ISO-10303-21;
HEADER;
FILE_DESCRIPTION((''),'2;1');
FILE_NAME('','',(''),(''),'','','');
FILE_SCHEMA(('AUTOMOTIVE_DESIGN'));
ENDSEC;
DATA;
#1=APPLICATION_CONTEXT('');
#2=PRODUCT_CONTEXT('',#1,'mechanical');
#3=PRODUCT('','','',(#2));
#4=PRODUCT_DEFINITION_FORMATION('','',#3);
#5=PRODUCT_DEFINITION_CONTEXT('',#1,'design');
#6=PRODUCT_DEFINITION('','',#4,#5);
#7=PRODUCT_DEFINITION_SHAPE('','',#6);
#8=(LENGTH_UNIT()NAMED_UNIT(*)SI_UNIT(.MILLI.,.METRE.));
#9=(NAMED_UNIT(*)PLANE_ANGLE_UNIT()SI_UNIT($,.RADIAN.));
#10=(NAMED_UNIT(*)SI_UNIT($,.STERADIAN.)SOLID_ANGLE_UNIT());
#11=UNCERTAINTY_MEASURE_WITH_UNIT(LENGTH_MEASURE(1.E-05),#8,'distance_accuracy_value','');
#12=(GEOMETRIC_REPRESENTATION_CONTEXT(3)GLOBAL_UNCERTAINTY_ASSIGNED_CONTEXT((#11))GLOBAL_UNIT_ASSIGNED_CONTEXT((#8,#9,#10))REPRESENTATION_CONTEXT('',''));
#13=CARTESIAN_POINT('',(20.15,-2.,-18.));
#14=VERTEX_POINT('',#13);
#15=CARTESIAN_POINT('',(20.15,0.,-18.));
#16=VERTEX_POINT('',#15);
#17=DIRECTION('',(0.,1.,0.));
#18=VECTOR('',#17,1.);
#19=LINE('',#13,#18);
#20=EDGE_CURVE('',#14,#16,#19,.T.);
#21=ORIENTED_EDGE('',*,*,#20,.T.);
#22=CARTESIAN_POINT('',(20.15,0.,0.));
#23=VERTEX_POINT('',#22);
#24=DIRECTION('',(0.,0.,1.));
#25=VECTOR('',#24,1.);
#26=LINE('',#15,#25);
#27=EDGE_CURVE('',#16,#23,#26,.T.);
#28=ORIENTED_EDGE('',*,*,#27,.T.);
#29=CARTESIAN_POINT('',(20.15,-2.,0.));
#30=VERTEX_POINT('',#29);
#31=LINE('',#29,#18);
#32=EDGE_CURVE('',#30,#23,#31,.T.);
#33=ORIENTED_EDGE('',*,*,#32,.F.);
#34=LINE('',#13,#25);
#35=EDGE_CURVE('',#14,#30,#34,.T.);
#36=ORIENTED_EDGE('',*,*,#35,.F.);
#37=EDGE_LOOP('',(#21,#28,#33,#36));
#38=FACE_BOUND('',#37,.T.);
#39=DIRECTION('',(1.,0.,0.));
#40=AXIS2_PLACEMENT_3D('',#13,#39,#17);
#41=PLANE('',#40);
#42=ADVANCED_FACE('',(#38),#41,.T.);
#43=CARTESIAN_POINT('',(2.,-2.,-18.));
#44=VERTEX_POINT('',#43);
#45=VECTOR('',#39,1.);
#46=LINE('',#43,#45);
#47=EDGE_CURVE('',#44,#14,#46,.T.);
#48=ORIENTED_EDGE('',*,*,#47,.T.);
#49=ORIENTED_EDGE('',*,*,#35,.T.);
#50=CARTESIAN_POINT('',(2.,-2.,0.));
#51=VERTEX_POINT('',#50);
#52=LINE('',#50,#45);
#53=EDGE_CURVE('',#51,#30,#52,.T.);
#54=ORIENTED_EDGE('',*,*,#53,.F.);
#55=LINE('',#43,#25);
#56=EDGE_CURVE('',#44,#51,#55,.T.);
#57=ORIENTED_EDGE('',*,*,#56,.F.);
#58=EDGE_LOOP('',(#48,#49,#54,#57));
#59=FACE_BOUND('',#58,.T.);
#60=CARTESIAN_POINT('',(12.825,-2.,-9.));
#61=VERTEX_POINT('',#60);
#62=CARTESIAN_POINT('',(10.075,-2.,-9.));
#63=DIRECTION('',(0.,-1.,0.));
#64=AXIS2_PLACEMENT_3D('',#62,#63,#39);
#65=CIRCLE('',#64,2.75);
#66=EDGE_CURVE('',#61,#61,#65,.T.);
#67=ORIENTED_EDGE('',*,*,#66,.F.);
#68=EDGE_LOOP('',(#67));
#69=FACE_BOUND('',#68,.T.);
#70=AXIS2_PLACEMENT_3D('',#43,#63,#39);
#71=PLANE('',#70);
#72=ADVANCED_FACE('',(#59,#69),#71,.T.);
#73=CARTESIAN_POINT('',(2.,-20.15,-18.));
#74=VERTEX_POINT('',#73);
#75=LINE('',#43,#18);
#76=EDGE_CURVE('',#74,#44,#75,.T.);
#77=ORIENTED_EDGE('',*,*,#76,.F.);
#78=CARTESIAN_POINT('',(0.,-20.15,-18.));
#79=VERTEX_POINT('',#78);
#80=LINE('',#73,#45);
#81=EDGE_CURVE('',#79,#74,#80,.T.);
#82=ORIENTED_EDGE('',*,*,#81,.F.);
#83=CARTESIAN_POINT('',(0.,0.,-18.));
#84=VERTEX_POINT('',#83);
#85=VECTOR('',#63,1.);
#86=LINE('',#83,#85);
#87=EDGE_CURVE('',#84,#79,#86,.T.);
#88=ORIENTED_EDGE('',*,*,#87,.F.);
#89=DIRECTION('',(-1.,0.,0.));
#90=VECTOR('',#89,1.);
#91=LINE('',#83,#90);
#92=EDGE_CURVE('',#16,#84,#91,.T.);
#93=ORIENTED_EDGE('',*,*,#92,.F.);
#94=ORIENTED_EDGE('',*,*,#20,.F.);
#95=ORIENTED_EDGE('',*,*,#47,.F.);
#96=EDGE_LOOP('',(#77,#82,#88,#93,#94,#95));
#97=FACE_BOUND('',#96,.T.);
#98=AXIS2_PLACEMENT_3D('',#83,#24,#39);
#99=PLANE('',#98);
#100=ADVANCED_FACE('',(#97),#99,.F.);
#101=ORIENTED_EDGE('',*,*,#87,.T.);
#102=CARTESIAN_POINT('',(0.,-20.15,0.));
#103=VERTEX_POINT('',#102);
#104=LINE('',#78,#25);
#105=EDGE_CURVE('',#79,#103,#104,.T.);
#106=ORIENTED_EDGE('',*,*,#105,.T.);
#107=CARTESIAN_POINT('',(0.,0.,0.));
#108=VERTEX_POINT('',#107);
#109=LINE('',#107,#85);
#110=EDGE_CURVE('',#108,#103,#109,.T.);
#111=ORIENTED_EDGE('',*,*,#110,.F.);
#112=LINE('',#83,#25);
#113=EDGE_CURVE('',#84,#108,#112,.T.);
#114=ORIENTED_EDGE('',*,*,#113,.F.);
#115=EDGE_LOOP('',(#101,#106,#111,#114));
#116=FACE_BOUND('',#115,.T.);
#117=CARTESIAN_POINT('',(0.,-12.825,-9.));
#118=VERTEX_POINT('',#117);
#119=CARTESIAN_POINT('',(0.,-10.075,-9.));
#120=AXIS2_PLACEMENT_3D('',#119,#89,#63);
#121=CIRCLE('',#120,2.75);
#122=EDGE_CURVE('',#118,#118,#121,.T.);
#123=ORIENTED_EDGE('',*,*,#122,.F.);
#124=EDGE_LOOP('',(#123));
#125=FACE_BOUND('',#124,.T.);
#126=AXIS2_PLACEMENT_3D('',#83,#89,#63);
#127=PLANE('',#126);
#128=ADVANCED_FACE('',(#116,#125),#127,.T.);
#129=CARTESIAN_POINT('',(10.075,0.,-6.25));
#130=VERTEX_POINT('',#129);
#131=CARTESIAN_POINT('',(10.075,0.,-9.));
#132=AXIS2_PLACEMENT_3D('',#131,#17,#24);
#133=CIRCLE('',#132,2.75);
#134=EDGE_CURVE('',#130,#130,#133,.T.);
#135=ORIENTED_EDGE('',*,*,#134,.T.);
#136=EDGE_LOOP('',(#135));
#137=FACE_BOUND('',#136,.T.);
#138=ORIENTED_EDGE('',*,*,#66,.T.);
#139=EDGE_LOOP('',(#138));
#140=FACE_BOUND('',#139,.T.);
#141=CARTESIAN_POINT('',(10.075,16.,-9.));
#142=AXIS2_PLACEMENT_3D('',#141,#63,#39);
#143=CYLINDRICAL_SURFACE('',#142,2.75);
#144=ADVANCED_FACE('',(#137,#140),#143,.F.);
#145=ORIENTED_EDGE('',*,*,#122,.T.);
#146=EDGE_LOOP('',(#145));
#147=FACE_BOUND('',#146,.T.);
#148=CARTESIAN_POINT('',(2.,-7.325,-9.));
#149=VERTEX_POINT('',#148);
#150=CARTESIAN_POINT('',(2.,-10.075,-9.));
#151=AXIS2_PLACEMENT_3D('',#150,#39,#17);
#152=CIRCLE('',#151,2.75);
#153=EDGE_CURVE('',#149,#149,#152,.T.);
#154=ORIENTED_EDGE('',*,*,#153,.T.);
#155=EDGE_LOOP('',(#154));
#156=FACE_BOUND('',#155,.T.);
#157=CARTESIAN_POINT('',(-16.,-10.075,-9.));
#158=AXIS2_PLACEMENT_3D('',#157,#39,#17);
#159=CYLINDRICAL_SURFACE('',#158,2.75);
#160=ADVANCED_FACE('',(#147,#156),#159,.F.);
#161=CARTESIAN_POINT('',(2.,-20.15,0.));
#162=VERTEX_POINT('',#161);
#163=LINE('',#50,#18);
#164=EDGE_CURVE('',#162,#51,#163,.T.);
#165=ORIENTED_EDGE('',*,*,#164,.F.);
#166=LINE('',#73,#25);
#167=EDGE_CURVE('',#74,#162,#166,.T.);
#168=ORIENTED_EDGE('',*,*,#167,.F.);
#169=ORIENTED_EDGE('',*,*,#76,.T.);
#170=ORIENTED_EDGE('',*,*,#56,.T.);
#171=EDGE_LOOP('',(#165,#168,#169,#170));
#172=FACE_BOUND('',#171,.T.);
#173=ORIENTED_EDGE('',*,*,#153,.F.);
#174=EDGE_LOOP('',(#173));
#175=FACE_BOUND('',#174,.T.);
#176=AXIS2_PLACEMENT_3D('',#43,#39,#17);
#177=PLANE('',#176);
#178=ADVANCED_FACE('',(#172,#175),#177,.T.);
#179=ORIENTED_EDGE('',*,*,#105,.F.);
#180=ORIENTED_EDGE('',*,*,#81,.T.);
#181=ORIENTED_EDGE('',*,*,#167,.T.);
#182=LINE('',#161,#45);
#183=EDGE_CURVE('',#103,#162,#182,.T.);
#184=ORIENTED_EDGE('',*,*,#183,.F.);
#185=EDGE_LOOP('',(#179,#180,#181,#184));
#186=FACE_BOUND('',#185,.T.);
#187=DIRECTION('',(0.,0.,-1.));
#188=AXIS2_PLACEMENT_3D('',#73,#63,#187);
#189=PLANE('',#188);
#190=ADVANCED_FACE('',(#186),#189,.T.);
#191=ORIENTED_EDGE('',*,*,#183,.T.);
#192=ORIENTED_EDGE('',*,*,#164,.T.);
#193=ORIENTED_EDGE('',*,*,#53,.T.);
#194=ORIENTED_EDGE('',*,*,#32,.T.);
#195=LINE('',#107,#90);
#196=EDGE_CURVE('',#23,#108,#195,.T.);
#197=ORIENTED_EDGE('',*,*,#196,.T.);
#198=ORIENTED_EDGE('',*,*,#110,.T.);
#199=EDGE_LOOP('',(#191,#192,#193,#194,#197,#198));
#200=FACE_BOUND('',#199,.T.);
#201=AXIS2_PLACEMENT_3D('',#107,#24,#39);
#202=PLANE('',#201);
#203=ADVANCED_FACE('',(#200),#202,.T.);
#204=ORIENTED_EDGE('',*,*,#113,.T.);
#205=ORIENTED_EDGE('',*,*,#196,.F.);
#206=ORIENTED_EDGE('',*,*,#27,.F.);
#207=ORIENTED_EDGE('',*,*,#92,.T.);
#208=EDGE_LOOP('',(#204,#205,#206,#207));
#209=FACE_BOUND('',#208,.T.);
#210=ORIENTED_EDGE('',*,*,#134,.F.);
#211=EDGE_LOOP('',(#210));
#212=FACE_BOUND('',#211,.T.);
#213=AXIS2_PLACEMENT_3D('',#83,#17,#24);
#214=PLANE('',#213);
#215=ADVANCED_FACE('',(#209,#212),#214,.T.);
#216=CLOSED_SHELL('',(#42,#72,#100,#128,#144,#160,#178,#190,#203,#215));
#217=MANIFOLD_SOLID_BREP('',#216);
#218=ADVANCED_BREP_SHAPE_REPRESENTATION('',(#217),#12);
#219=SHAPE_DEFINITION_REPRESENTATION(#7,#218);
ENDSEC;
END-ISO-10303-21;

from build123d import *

# Parameters (mm, degrees)
BOSS_EXTRUDE1_DEPTH = 18
SKETCH2_R           = 2.75
CUT_EXTRUDE1_DEPTH  = 18
SKETCH3_R           = 2.75
CUT_EXTRUDE2_DEPTH  = 18


with BuildPart() as part:
    # Sketch1 → Boss-Extrude1 (new body)
    with BuildSketch(Plane.XY):
        Polygon((0, 0), (0, -20.15), (2, -20.15), (2, -2), (20.15, -2), (20.15, 0), align=None)
    extrude(amount=-BOSS_EXTRUDE1_DEPTH)

    # Sketch2 → Cut-Extrude1 (cut)
    with BuildSketch(Plane.XZ.offset(2)):
        with Locations((10.075, -9)):
            Circle(SKETCH2_R)
    extrude(amount=-CUT_EXTRUDE1_DEPTH, mode=Mode.SUBTRACT)

    # Sketch3 → Cut-Extrude2 (cut)
    with BuildSketch(Plane(origin=(2, 0, 0), x_dir=(0, 0, -1), z_dir=(1, 0, 0))):
        with Locations((9, -10.075)):
            Circle(SKETCH3_R)
    extrude(amount=-CUT_EXTRUDE2_DEPTH, mode=Mode.SUBTRACT)


solid = part.part
